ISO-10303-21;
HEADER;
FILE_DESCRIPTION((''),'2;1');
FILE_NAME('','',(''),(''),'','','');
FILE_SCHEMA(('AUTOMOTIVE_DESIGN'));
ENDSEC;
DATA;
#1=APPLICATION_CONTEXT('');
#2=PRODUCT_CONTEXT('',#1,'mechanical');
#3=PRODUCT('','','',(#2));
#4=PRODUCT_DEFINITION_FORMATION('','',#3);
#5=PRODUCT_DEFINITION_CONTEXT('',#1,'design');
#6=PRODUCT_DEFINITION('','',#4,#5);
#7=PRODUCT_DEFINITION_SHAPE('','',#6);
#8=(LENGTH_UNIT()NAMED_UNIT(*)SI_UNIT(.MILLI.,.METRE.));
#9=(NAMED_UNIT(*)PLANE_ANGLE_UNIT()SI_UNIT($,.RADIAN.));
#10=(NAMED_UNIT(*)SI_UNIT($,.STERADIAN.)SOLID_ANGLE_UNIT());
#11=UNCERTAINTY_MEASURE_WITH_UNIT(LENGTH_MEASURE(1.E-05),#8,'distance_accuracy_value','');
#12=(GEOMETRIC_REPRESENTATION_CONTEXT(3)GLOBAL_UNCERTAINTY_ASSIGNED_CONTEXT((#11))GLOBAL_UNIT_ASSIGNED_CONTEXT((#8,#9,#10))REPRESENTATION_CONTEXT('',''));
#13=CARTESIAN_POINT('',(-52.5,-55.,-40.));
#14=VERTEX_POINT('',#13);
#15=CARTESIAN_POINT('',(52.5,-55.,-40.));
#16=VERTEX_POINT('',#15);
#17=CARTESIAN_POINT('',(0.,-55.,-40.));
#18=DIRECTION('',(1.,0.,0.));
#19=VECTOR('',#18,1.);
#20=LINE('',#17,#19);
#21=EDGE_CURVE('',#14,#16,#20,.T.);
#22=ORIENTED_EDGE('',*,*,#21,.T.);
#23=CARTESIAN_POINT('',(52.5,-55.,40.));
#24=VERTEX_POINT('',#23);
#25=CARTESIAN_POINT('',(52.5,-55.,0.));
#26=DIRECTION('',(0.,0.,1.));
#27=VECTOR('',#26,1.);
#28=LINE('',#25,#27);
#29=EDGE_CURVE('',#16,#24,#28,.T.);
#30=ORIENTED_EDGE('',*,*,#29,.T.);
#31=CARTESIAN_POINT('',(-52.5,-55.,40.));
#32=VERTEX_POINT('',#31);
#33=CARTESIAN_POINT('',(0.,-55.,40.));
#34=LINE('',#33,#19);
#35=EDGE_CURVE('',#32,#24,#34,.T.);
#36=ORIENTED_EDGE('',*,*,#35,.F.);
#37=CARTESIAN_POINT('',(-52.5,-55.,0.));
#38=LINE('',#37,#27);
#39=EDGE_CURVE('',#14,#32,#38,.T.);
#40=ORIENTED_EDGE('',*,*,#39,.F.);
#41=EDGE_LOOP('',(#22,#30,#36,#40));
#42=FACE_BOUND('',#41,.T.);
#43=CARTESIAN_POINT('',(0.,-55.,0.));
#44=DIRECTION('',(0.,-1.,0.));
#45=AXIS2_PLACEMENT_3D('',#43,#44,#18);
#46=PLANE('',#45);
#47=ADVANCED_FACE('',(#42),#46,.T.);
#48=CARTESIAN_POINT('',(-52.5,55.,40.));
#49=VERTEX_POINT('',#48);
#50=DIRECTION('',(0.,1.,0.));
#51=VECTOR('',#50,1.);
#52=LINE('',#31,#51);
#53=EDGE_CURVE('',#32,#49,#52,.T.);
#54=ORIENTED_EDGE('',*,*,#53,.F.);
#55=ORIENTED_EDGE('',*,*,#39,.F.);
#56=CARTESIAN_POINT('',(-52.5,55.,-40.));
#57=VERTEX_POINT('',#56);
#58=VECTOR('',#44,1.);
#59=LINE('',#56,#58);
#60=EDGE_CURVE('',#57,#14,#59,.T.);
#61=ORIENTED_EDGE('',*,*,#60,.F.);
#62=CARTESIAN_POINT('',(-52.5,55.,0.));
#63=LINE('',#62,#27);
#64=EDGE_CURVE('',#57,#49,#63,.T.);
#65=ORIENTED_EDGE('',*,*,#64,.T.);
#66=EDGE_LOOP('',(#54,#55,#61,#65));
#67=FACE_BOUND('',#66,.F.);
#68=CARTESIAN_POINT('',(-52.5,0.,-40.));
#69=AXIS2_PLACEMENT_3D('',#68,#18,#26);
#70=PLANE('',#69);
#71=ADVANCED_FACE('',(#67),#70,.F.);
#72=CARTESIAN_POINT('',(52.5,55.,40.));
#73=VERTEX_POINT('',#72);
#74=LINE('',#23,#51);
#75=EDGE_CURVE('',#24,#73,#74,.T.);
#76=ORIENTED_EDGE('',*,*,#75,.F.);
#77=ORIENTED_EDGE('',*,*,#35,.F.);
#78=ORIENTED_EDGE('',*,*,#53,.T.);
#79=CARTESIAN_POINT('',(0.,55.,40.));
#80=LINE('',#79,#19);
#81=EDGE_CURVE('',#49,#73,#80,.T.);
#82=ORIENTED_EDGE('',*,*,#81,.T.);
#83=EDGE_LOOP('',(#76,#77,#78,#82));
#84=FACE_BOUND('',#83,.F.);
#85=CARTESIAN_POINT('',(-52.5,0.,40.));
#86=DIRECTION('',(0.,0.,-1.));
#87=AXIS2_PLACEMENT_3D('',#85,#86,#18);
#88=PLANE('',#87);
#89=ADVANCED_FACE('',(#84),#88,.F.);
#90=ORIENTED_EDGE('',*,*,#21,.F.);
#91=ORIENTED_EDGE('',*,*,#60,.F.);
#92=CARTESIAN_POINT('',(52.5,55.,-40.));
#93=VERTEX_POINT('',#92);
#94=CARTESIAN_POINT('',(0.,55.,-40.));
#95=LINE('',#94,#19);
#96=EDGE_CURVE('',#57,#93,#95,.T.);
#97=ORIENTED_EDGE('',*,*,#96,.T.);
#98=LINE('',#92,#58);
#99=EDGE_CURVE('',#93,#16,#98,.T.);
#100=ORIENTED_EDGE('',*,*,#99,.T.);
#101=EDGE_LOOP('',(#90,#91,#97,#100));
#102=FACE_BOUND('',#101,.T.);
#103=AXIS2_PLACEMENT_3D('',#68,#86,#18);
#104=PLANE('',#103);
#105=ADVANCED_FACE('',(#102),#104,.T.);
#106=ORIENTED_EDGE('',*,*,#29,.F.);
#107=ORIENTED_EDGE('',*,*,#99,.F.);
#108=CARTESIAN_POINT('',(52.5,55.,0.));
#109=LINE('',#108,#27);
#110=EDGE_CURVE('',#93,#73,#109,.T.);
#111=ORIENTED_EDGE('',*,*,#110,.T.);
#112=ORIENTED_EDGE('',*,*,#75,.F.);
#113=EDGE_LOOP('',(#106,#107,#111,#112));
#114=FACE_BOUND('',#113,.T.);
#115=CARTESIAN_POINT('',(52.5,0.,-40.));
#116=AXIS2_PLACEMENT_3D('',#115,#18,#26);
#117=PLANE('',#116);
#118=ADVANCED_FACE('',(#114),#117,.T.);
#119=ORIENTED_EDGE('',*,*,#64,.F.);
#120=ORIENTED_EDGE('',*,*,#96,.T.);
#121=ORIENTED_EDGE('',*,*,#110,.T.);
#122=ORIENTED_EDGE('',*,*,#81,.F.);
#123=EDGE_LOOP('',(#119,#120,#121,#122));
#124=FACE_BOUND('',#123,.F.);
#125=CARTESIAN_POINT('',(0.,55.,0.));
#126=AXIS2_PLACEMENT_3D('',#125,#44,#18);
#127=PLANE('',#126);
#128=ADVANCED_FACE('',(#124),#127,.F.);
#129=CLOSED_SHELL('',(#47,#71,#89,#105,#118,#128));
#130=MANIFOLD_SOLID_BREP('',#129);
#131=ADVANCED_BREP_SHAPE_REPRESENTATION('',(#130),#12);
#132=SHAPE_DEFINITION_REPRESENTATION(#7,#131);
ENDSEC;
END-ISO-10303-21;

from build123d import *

# Parameters (mm, degrees)
SKETCH_W  = 105
SKETCH_H  = 80
PAD_DEPTH = 55


with BuildPart() as part:
    # Sketch → Pad (new body, symmetric)
    with BuildSketch(Plane.XZ):
        Rectangle(SKETCH_W, SKETCH_H)
    extrude(amount=PAD_DEPTH, both=True)


solid = part.part
